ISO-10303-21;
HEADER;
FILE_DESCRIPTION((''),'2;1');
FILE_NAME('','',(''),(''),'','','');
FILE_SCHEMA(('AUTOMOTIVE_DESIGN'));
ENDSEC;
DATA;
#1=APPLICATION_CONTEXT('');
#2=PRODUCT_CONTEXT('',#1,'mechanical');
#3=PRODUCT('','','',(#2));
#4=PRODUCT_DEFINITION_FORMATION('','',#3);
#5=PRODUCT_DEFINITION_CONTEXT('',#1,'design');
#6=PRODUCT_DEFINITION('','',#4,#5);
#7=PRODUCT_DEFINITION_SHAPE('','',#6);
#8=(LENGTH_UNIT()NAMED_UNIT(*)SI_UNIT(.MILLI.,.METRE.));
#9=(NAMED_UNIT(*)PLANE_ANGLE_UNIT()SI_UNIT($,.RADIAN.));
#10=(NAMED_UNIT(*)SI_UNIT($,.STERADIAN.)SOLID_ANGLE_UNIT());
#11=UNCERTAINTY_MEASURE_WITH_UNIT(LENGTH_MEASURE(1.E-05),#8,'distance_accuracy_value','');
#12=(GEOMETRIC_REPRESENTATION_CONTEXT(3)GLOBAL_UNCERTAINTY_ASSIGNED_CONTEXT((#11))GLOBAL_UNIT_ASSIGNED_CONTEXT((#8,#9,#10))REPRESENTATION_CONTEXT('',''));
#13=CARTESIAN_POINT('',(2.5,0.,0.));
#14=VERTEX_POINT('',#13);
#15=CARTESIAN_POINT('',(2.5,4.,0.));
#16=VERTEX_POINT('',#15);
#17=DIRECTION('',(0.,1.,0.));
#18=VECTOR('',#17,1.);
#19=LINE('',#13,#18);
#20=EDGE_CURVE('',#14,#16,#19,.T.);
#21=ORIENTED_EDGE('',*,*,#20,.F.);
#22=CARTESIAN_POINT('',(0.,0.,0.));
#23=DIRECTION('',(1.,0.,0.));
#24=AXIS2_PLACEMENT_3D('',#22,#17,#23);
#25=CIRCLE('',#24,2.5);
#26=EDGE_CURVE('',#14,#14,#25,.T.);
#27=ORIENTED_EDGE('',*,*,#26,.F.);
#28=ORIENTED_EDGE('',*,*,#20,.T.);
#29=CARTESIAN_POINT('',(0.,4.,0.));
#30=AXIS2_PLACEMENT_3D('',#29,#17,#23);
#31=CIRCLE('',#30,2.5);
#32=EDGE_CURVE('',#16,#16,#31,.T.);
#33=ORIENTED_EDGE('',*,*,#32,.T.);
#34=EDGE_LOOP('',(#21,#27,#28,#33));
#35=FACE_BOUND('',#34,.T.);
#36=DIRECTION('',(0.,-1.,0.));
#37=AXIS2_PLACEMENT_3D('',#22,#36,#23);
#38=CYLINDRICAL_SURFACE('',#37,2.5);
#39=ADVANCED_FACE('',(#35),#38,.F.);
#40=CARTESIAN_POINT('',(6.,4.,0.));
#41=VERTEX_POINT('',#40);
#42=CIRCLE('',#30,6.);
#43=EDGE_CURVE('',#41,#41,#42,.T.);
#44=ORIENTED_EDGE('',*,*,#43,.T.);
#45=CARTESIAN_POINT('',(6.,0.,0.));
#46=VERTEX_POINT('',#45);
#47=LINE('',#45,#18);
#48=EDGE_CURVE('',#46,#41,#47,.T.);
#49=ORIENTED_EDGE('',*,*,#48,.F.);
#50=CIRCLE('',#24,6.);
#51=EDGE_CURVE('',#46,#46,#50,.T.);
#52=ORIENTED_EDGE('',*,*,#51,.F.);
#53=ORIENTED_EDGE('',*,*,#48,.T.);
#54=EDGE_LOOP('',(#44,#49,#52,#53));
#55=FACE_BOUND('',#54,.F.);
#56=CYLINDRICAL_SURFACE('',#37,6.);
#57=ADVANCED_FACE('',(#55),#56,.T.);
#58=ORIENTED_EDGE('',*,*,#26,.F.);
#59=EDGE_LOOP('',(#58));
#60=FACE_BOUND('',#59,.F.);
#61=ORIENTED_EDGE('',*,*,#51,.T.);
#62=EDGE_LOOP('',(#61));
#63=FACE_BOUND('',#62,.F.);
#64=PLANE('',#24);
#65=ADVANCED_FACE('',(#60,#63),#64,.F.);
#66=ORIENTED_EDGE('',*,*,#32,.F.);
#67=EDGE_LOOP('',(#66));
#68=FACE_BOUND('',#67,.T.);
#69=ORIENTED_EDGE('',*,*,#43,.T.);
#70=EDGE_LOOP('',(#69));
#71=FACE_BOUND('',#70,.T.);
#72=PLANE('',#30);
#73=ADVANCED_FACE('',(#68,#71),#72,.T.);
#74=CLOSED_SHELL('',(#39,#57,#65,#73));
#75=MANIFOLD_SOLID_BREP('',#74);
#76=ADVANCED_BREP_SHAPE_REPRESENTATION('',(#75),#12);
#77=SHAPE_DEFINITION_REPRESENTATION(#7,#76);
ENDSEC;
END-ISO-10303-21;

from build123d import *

# Parameters (mm, degrees)
SKETCH1_R           = 6
SKETCH1_R_2         = 2.5
BOSS_EXTRUDE1_DEPTH = 4


with BuildPart() as part:
    # Sketch1 → Boss-Extrude1 (new body)
    with BuildSketch(Plane(origin=(0, 0, 0), x_dir=(1, 0, 0), z_dir=(0, 1, 0))):
        Circle(SKETCH1_R)
        Circle(SKETCH1_R_2, mode=Mode.SUBTRACT)
    extrude(amount=BOSS_EXTRUDE1_DEPTH)


solid = part.part
